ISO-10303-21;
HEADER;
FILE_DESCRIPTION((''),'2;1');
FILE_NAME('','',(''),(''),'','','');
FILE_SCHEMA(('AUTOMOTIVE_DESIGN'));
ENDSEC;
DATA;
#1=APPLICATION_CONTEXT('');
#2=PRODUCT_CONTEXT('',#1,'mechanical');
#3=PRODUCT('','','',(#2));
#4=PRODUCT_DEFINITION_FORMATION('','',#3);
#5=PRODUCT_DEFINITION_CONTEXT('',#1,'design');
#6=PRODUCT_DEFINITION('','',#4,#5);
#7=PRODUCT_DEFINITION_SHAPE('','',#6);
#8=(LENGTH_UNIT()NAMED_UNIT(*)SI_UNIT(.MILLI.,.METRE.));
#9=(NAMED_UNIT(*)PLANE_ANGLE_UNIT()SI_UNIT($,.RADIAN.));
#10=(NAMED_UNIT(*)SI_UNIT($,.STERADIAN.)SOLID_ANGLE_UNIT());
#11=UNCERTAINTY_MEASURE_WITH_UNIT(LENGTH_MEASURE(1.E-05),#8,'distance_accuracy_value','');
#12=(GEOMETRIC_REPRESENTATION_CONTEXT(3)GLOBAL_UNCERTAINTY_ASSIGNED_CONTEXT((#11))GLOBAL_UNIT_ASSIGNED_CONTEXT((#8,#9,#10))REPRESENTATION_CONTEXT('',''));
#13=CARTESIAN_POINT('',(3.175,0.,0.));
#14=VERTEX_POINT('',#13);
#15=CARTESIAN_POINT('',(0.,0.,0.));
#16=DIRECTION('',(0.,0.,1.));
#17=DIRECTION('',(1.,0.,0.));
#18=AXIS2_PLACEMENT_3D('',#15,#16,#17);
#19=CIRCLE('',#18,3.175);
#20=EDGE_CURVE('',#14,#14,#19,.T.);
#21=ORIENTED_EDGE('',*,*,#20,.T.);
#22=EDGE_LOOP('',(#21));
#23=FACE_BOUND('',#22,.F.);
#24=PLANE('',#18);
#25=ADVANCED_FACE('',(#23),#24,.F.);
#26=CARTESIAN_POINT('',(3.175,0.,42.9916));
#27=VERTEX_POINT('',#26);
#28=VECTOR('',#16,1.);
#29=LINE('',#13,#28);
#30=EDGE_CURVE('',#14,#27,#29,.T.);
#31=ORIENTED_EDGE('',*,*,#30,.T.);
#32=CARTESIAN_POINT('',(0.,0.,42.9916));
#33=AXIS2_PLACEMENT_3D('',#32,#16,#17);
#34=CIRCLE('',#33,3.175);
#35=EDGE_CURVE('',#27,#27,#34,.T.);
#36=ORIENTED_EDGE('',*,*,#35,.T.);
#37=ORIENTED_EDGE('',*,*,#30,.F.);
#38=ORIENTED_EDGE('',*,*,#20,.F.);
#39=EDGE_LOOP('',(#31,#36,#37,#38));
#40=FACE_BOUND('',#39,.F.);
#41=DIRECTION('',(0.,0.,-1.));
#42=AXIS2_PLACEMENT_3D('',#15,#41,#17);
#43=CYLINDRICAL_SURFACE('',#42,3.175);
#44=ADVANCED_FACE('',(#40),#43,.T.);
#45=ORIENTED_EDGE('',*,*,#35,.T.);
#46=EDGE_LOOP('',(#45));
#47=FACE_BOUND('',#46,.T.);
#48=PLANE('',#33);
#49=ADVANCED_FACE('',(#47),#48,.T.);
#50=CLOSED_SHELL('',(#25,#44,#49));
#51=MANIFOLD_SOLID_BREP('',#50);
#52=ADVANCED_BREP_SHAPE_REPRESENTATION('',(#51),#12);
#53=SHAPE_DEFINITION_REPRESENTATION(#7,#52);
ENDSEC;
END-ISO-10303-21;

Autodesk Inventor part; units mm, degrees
ref_plane "YZ Plane" through (0, 0, 0) normal (1, 0, 0) x (0, 1, 0)
ref_plane "XZ Plane" through (0, 0, 0) normal (0, 1, 0) x (-1, 0, 0)
ref_plane "XY Plane" through (0, 0, 0) normal (0, 0, 1) x (1, 0, 0)
sketch "Sketch1" plane through (0, 0, 0) normal (0, 0, 1) x (1, 0, 0)
  circle A0 centre (0, 0) radius 3.175
  dimension "d0" = 6.35
extrude "Extrusion1" add sketch "Sketch1" along normal blind 42.9916
properties part number "Connecting Rod" material "Aluminum 6061"
